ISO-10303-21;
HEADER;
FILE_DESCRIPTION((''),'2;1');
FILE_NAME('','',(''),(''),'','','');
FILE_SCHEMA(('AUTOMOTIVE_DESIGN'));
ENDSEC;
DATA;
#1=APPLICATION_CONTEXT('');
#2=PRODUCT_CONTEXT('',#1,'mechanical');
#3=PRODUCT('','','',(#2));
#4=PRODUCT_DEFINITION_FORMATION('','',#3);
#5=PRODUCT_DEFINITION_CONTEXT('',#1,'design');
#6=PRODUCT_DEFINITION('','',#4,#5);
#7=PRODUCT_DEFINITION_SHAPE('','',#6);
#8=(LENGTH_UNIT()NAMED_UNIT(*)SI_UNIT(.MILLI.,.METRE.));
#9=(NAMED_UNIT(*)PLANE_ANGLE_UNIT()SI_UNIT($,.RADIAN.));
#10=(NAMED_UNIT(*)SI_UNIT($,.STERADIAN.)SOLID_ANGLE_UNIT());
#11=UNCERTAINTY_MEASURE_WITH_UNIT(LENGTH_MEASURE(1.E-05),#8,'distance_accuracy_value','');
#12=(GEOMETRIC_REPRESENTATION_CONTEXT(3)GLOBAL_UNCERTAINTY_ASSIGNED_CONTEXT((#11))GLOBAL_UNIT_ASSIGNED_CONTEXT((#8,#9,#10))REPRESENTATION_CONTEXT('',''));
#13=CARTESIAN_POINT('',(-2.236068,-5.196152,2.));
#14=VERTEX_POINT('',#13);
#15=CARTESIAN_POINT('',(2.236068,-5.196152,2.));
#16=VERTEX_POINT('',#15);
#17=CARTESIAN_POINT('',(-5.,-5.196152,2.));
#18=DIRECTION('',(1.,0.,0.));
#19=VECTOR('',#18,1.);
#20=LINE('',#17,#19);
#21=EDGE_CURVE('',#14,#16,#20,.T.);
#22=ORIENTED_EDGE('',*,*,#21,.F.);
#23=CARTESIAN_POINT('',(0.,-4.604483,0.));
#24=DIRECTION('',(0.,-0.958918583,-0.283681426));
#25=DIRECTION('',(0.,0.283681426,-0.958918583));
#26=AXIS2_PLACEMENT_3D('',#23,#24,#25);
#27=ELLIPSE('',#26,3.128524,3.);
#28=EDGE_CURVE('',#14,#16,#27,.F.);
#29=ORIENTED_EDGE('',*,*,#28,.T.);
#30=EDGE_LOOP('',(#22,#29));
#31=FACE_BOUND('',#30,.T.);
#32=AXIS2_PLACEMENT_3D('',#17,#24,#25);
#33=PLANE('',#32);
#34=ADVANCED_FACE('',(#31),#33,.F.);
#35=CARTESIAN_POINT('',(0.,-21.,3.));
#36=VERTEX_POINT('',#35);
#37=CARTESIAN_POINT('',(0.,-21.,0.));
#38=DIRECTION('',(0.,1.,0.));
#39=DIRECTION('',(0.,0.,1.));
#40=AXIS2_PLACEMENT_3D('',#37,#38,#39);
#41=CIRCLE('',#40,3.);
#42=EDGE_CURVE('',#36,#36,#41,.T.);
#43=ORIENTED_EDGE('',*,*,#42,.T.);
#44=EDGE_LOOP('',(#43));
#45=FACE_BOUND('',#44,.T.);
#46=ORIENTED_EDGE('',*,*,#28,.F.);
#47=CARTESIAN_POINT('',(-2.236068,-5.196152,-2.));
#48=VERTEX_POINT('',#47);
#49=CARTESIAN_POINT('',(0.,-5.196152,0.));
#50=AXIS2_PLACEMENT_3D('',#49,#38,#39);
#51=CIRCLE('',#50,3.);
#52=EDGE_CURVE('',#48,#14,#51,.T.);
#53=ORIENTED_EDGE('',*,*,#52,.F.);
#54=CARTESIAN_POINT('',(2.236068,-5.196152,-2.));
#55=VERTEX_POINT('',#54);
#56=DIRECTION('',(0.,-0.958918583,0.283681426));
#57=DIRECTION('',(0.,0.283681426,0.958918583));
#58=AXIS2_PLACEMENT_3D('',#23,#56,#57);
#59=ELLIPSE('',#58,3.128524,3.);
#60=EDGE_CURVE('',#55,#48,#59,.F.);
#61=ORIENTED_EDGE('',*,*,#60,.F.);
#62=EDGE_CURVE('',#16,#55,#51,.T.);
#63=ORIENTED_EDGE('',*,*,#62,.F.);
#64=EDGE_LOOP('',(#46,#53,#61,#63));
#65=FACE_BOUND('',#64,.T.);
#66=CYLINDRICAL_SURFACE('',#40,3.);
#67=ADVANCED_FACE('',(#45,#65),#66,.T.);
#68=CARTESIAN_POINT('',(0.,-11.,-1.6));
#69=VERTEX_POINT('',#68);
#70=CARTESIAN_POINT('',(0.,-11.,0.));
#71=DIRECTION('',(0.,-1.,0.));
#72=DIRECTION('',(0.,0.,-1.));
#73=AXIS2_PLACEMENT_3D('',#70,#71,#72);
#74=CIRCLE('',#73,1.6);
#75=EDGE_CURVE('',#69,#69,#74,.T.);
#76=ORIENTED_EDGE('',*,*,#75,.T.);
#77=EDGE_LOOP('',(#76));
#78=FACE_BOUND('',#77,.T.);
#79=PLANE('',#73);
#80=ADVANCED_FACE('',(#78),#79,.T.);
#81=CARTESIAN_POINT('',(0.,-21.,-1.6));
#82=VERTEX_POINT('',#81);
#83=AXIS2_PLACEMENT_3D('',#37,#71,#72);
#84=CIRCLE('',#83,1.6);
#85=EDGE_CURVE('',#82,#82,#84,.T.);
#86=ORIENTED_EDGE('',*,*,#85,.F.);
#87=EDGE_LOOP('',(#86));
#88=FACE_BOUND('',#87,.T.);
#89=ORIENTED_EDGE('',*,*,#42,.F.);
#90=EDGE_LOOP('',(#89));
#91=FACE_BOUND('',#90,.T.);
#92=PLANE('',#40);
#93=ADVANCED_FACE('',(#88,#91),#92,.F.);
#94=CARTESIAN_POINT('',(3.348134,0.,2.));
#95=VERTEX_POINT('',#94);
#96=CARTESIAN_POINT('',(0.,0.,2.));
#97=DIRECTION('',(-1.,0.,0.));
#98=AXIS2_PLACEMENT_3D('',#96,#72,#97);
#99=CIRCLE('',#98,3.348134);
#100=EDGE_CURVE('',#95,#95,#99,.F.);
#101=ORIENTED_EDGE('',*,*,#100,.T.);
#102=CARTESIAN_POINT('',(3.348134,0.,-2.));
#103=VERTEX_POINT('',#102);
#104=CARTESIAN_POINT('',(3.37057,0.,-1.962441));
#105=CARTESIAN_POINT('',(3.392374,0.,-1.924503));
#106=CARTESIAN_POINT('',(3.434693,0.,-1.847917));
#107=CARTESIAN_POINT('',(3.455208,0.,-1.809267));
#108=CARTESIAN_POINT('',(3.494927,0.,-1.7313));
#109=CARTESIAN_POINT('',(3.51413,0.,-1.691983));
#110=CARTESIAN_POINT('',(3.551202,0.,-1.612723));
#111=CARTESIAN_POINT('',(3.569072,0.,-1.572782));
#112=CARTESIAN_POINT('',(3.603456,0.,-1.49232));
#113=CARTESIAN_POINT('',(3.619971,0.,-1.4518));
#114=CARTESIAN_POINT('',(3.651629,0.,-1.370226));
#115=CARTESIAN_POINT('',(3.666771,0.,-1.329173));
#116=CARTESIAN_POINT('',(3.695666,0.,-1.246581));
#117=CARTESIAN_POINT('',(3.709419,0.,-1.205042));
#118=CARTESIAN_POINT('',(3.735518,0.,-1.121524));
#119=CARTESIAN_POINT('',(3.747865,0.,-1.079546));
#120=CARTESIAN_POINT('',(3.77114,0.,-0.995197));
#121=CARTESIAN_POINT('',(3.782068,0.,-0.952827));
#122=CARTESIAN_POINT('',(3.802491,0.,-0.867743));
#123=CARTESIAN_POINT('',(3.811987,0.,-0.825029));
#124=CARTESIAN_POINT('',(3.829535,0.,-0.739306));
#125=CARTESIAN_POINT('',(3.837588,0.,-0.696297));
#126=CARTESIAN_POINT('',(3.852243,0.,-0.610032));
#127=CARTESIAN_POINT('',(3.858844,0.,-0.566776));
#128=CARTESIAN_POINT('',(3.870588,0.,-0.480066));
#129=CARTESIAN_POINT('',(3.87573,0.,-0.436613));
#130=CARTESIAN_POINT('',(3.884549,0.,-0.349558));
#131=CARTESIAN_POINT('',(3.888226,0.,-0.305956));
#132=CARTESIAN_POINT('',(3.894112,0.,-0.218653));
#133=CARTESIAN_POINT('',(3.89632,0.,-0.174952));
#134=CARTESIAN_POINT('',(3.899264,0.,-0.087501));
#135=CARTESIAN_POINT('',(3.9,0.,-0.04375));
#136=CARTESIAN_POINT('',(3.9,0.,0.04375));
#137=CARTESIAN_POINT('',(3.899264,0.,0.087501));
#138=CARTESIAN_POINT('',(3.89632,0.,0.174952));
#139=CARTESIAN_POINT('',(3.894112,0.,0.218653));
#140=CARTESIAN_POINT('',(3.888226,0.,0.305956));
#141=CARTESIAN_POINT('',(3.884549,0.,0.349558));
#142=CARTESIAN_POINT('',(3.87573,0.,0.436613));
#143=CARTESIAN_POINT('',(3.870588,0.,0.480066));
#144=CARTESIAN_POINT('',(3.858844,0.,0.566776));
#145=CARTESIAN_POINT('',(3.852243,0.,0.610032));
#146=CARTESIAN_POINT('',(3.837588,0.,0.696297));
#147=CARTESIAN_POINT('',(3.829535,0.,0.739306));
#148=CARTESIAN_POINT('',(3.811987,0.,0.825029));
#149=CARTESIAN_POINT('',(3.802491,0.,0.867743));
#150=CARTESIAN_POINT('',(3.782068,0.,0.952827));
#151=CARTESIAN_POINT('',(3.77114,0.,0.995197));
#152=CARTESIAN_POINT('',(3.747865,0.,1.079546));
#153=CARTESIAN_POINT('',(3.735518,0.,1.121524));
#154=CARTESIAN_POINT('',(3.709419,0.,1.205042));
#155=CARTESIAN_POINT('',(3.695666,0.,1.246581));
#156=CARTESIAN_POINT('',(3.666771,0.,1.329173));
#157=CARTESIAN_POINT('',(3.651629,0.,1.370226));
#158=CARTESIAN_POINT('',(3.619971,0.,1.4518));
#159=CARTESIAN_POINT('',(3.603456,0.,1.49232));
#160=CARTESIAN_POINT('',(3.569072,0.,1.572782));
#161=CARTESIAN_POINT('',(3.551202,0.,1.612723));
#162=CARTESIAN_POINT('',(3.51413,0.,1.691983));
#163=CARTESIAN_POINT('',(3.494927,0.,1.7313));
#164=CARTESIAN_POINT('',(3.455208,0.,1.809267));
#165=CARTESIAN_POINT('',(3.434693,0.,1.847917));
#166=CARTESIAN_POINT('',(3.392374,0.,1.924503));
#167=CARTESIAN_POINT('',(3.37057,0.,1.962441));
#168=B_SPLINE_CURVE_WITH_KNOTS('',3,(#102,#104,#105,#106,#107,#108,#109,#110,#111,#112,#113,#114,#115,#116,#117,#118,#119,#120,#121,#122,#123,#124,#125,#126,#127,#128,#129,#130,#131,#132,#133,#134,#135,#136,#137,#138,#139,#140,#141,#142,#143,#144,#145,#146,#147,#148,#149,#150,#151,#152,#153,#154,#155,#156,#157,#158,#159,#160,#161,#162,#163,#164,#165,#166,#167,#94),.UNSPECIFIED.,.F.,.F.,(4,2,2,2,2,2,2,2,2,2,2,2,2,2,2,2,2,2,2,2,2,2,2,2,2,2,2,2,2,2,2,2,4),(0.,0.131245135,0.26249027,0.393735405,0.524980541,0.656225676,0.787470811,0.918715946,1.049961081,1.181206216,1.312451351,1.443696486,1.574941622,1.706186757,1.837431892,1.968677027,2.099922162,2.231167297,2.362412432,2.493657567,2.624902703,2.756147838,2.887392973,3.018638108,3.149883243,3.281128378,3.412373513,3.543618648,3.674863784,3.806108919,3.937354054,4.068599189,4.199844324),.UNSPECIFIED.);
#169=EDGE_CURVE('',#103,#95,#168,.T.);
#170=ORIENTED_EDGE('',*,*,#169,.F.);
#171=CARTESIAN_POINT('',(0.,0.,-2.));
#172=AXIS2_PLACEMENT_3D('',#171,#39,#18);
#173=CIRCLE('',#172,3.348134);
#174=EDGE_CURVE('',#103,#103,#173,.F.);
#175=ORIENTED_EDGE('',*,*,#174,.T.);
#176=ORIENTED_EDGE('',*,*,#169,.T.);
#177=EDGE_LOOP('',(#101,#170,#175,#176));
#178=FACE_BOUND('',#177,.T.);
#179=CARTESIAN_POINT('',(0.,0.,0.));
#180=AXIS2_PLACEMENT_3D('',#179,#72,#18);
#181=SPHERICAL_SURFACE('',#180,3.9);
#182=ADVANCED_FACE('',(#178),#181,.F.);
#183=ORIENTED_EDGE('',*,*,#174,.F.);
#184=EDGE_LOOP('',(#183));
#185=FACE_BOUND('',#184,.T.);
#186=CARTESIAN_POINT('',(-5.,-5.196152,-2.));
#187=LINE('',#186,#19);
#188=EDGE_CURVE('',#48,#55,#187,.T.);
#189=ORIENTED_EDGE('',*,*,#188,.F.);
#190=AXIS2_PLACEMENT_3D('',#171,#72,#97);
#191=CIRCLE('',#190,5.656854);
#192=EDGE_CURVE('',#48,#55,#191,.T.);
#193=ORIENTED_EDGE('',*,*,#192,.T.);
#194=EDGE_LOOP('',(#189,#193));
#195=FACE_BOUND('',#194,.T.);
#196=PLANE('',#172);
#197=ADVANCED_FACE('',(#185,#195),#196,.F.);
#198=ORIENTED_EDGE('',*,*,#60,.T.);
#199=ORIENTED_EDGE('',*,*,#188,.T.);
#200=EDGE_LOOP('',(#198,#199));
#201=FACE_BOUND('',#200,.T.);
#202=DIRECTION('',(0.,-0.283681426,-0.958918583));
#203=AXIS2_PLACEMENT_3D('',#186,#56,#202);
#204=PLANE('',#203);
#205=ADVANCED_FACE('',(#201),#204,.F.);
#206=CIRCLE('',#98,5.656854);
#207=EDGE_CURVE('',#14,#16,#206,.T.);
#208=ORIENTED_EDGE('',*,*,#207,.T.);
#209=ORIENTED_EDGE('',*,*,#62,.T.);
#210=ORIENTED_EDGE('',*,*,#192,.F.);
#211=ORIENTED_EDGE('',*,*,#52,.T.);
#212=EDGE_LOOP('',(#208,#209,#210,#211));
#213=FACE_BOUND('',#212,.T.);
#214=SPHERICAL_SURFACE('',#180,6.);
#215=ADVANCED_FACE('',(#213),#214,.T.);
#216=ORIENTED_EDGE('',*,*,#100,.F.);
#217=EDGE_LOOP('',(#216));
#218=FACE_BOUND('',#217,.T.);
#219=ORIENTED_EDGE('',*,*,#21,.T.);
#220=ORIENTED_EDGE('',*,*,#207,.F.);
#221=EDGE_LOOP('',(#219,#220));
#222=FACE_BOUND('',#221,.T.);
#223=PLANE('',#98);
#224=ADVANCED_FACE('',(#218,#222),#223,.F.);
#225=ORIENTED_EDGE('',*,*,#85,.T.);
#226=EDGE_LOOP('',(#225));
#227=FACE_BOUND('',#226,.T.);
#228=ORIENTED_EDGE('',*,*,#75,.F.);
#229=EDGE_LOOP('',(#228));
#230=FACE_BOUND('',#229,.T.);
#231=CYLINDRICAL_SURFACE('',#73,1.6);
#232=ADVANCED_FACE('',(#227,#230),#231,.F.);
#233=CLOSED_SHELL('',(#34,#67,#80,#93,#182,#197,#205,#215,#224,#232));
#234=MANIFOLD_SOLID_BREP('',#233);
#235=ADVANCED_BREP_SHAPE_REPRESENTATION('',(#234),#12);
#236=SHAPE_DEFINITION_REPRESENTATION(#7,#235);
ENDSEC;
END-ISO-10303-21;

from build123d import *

# Parameters (mm, degrees)
SKETCH3_R           = 3
BOSS_EXTRUDE1_DEPTH = 21
CUT_EXTRUDE1_DEPTH  = 5
SKETCH6_R           = 1.6
CUT_EXTRUDE2_DEPTH  = 10


with BuildPart() as part:
    # Sketch1 → Revolve1 (revolve)
    with BuildSketch(Plane(origin=(0, 0, 0), x_dir=(1, 0, 0), z_dir=(0, 1, 0))):
        with BuildLine():
            Line((0, 2), (0, -2))
            Line((0, -2), (5.656854249, -2))
            ThreePointArc((5.656854249, -2), (6, 0), (5.656854249, 2))
            Line((5.656854249, 2), (0, 2))
        make_face()
    revolve(axis=Axis((0, 0, -2), (0, 0, 1)))

    # Sketch3 → Boss-Extrude1 (add)
    with BuildSketch(Plane(origin=(0, 0, 0), x_dir=(1, 0, 0), z_dir=(0, 1, 0))):
        with Locations(Location((0, 0, 0), (0, 0, 270))):
            Circle(SKETCH3_R)
    extrude(amount=-BOSS_EXTRUDE1_DEPTH)

    # Sketch4 → Cut-Revolve2 (revolve, cut)
    with BuildSketch(Plane(origin=(0, 0, 0), x_dir=(1, 0, 0), z_dir=(0, 1, 0))):
        with BuildLine():
            Line((0, 3.9), (0, -3.9))
            ThreePointArc((0, -3.9), (3.9, 0), (0, 3.9))
        make_face()
    revolve(axis=Axis((0, 0, -3.9), (0, 0, 1)), mode=Mode.SUBTRACT)

    # Sketch5 → Cut-Extrude1 (cut, symmetric)
    with BuildSketch(Plane(origin=(0, 0, 0), x_dir=(0, 0, -1), z_dir=(1, 0, 0))):
        Polygon((2, -5.196152423), (3, -5.491987159), (3, -2.491987159), (2, -2.491987159), align=None)
        Polygon((-2, -2.491987159), (-3, -2.491987159), (-3, -5.491987159), (-2, -5.196152423), align=None)
    extrude(amount=CUT_EXTRUDE1_DEPTH, both=True, mode=Mode.SUBTRACT)

    # Sketch6 → Cut-Extrude2 (cut)
    with BuildSketch(Plane.XZ.offset(21)):
        with Locations(Location((0, 0, 0), (0, 0, 270))):
            Circle(SKETCH6_R)
    extrude(amount=-CUT_EXTRUDE2_DEPTH, mode=Mode.SUBTRACT)


solid = part.part
